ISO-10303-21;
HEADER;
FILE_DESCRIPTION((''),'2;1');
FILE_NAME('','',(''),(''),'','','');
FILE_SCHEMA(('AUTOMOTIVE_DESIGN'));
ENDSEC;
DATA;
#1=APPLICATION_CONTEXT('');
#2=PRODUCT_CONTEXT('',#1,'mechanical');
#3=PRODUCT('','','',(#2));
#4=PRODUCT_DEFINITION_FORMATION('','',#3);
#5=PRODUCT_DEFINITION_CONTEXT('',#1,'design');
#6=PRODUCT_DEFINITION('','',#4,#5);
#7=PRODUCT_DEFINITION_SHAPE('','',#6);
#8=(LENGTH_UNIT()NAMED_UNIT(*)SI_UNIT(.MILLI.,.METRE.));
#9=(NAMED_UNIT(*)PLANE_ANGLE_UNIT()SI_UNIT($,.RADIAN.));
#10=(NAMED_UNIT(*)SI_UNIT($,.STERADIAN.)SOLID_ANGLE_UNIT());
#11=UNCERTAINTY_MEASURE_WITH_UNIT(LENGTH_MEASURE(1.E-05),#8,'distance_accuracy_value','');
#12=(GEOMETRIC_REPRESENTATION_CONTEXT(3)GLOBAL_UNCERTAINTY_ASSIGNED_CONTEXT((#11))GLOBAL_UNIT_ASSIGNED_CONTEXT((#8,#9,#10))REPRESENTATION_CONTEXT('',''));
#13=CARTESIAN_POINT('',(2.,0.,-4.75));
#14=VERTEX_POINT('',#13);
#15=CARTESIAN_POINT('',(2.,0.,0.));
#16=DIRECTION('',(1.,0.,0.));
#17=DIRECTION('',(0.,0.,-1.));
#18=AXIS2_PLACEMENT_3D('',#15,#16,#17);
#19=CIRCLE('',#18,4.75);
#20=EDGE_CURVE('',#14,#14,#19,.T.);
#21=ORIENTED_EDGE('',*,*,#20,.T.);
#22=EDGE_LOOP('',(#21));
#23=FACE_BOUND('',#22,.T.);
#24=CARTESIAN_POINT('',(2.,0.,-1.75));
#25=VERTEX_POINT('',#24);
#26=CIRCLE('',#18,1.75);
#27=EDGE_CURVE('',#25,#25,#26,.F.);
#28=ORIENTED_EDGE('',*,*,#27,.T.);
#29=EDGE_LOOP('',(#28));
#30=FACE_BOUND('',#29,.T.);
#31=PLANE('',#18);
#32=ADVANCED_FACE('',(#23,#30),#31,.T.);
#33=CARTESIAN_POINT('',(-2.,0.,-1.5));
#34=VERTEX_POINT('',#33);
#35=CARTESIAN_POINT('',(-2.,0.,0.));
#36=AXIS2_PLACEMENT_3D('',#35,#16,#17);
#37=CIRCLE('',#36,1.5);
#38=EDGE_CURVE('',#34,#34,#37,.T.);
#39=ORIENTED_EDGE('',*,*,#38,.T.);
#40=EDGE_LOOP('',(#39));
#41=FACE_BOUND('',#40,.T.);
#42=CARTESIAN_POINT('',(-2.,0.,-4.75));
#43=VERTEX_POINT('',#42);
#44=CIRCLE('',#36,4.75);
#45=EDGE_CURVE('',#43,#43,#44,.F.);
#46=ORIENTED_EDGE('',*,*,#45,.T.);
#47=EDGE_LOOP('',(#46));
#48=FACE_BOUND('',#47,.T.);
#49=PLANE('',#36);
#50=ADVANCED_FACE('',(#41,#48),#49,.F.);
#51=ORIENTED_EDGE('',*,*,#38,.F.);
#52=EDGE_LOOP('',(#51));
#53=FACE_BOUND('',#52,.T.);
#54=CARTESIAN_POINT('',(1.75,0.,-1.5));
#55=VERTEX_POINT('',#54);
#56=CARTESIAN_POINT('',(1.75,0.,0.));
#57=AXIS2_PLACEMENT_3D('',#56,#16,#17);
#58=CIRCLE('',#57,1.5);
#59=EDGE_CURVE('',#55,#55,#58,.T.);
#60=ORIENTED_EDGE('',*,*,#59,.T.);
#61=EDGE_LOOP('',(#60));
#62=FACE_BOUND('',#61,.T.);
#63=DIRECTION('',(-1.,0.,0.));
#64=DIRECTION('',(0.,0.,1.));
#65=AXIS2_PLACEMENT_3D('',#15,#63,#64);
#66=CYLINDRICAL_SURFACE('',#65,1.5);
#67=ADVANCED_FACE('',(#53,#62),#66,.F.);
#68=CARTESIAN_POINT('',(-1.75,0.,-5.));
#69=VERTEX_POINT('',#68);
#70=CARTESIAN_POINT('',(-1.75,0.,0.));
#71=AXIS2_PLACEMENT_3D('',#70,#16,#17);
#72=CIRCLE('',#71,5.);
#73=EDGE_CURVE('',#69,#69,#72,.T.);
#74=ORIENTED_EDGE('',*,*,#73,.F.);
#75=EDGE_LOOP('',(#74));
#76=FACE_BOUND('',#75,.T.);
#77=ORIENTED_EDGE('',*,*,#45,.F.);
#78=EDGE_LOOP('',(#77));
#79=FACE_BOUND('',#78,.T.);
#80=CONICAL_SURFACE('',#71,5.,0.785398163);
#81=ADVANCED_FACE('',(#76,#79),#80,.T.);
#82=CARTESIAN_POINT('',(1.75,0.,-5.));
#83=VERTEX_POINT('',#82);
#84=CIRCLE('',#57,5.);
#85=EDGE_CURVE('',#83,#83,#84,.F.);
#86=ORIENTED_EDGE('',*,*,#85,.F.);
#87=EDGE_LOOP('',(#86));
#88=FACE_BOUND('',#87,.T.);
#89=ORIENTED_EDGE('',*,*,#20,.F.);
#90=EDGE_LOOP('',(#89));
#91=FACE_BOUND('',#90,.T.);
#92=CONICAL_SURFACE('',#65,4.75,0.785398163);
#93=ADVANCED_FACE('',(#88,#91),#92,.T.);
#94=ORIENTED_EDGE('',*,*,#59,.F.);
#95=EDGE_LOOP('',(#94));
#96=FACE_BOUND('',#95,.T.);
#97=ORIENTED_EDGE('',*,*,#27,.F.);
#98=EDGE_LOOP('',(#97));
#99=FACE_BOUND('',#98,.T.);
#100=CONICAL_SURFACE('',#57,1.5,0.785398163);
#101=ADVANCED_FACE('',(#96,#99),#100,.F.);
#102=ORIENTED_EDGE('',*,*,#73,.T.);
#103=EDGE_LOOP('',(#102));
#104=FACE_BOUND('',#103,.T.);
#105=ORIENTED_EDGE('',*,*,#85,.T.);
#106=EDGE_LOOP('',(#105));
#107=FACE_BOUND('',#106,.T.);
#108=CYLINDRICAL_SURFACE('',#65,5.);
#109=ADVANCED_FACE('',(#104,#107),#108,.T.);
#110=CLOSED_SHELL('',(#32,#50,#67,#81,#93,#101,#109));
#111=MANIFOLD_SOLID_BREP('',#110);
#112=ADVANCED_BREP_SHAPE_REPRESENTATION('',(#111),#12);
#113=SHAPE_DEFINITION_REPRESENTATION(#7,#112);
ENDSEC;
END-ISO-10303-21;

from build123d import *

# Parameters (mm, degrees)
SKETCH1_R           = 5
SKETCH1_R_2         = 1.5
BOSS_EXTRUDE1_DEPTH = 2
CHAMFER1_SIZE       = 0.25


with BuildPart() as part:
    # Sketch1 → Boss-Extrude1 (new, symmetric)
    with BuildSketch(Plane(origin=(0, 0, 0), x_dir=(0, 0, -1), z_dir=(1, 0, 0))):
        Circle(SKETCH1_R)
        Circle(SKETCH1_R_2, mode=Mode.SUBTRACT)
    extrude(amount=BOSS_EXTRUDE1_DEPTH, both=True)

    # Chamfer1
    chamfer1_edges = [part.edges().sort_by_distance(p)[0] for p in [
        (-2, 0, 5),
        (2, 0, 5),
        (2, 0, 1.5),
    ]]
    chamfer(chamfer1_edges, length=CHAMFER1_SIZE)


solid = part.part
